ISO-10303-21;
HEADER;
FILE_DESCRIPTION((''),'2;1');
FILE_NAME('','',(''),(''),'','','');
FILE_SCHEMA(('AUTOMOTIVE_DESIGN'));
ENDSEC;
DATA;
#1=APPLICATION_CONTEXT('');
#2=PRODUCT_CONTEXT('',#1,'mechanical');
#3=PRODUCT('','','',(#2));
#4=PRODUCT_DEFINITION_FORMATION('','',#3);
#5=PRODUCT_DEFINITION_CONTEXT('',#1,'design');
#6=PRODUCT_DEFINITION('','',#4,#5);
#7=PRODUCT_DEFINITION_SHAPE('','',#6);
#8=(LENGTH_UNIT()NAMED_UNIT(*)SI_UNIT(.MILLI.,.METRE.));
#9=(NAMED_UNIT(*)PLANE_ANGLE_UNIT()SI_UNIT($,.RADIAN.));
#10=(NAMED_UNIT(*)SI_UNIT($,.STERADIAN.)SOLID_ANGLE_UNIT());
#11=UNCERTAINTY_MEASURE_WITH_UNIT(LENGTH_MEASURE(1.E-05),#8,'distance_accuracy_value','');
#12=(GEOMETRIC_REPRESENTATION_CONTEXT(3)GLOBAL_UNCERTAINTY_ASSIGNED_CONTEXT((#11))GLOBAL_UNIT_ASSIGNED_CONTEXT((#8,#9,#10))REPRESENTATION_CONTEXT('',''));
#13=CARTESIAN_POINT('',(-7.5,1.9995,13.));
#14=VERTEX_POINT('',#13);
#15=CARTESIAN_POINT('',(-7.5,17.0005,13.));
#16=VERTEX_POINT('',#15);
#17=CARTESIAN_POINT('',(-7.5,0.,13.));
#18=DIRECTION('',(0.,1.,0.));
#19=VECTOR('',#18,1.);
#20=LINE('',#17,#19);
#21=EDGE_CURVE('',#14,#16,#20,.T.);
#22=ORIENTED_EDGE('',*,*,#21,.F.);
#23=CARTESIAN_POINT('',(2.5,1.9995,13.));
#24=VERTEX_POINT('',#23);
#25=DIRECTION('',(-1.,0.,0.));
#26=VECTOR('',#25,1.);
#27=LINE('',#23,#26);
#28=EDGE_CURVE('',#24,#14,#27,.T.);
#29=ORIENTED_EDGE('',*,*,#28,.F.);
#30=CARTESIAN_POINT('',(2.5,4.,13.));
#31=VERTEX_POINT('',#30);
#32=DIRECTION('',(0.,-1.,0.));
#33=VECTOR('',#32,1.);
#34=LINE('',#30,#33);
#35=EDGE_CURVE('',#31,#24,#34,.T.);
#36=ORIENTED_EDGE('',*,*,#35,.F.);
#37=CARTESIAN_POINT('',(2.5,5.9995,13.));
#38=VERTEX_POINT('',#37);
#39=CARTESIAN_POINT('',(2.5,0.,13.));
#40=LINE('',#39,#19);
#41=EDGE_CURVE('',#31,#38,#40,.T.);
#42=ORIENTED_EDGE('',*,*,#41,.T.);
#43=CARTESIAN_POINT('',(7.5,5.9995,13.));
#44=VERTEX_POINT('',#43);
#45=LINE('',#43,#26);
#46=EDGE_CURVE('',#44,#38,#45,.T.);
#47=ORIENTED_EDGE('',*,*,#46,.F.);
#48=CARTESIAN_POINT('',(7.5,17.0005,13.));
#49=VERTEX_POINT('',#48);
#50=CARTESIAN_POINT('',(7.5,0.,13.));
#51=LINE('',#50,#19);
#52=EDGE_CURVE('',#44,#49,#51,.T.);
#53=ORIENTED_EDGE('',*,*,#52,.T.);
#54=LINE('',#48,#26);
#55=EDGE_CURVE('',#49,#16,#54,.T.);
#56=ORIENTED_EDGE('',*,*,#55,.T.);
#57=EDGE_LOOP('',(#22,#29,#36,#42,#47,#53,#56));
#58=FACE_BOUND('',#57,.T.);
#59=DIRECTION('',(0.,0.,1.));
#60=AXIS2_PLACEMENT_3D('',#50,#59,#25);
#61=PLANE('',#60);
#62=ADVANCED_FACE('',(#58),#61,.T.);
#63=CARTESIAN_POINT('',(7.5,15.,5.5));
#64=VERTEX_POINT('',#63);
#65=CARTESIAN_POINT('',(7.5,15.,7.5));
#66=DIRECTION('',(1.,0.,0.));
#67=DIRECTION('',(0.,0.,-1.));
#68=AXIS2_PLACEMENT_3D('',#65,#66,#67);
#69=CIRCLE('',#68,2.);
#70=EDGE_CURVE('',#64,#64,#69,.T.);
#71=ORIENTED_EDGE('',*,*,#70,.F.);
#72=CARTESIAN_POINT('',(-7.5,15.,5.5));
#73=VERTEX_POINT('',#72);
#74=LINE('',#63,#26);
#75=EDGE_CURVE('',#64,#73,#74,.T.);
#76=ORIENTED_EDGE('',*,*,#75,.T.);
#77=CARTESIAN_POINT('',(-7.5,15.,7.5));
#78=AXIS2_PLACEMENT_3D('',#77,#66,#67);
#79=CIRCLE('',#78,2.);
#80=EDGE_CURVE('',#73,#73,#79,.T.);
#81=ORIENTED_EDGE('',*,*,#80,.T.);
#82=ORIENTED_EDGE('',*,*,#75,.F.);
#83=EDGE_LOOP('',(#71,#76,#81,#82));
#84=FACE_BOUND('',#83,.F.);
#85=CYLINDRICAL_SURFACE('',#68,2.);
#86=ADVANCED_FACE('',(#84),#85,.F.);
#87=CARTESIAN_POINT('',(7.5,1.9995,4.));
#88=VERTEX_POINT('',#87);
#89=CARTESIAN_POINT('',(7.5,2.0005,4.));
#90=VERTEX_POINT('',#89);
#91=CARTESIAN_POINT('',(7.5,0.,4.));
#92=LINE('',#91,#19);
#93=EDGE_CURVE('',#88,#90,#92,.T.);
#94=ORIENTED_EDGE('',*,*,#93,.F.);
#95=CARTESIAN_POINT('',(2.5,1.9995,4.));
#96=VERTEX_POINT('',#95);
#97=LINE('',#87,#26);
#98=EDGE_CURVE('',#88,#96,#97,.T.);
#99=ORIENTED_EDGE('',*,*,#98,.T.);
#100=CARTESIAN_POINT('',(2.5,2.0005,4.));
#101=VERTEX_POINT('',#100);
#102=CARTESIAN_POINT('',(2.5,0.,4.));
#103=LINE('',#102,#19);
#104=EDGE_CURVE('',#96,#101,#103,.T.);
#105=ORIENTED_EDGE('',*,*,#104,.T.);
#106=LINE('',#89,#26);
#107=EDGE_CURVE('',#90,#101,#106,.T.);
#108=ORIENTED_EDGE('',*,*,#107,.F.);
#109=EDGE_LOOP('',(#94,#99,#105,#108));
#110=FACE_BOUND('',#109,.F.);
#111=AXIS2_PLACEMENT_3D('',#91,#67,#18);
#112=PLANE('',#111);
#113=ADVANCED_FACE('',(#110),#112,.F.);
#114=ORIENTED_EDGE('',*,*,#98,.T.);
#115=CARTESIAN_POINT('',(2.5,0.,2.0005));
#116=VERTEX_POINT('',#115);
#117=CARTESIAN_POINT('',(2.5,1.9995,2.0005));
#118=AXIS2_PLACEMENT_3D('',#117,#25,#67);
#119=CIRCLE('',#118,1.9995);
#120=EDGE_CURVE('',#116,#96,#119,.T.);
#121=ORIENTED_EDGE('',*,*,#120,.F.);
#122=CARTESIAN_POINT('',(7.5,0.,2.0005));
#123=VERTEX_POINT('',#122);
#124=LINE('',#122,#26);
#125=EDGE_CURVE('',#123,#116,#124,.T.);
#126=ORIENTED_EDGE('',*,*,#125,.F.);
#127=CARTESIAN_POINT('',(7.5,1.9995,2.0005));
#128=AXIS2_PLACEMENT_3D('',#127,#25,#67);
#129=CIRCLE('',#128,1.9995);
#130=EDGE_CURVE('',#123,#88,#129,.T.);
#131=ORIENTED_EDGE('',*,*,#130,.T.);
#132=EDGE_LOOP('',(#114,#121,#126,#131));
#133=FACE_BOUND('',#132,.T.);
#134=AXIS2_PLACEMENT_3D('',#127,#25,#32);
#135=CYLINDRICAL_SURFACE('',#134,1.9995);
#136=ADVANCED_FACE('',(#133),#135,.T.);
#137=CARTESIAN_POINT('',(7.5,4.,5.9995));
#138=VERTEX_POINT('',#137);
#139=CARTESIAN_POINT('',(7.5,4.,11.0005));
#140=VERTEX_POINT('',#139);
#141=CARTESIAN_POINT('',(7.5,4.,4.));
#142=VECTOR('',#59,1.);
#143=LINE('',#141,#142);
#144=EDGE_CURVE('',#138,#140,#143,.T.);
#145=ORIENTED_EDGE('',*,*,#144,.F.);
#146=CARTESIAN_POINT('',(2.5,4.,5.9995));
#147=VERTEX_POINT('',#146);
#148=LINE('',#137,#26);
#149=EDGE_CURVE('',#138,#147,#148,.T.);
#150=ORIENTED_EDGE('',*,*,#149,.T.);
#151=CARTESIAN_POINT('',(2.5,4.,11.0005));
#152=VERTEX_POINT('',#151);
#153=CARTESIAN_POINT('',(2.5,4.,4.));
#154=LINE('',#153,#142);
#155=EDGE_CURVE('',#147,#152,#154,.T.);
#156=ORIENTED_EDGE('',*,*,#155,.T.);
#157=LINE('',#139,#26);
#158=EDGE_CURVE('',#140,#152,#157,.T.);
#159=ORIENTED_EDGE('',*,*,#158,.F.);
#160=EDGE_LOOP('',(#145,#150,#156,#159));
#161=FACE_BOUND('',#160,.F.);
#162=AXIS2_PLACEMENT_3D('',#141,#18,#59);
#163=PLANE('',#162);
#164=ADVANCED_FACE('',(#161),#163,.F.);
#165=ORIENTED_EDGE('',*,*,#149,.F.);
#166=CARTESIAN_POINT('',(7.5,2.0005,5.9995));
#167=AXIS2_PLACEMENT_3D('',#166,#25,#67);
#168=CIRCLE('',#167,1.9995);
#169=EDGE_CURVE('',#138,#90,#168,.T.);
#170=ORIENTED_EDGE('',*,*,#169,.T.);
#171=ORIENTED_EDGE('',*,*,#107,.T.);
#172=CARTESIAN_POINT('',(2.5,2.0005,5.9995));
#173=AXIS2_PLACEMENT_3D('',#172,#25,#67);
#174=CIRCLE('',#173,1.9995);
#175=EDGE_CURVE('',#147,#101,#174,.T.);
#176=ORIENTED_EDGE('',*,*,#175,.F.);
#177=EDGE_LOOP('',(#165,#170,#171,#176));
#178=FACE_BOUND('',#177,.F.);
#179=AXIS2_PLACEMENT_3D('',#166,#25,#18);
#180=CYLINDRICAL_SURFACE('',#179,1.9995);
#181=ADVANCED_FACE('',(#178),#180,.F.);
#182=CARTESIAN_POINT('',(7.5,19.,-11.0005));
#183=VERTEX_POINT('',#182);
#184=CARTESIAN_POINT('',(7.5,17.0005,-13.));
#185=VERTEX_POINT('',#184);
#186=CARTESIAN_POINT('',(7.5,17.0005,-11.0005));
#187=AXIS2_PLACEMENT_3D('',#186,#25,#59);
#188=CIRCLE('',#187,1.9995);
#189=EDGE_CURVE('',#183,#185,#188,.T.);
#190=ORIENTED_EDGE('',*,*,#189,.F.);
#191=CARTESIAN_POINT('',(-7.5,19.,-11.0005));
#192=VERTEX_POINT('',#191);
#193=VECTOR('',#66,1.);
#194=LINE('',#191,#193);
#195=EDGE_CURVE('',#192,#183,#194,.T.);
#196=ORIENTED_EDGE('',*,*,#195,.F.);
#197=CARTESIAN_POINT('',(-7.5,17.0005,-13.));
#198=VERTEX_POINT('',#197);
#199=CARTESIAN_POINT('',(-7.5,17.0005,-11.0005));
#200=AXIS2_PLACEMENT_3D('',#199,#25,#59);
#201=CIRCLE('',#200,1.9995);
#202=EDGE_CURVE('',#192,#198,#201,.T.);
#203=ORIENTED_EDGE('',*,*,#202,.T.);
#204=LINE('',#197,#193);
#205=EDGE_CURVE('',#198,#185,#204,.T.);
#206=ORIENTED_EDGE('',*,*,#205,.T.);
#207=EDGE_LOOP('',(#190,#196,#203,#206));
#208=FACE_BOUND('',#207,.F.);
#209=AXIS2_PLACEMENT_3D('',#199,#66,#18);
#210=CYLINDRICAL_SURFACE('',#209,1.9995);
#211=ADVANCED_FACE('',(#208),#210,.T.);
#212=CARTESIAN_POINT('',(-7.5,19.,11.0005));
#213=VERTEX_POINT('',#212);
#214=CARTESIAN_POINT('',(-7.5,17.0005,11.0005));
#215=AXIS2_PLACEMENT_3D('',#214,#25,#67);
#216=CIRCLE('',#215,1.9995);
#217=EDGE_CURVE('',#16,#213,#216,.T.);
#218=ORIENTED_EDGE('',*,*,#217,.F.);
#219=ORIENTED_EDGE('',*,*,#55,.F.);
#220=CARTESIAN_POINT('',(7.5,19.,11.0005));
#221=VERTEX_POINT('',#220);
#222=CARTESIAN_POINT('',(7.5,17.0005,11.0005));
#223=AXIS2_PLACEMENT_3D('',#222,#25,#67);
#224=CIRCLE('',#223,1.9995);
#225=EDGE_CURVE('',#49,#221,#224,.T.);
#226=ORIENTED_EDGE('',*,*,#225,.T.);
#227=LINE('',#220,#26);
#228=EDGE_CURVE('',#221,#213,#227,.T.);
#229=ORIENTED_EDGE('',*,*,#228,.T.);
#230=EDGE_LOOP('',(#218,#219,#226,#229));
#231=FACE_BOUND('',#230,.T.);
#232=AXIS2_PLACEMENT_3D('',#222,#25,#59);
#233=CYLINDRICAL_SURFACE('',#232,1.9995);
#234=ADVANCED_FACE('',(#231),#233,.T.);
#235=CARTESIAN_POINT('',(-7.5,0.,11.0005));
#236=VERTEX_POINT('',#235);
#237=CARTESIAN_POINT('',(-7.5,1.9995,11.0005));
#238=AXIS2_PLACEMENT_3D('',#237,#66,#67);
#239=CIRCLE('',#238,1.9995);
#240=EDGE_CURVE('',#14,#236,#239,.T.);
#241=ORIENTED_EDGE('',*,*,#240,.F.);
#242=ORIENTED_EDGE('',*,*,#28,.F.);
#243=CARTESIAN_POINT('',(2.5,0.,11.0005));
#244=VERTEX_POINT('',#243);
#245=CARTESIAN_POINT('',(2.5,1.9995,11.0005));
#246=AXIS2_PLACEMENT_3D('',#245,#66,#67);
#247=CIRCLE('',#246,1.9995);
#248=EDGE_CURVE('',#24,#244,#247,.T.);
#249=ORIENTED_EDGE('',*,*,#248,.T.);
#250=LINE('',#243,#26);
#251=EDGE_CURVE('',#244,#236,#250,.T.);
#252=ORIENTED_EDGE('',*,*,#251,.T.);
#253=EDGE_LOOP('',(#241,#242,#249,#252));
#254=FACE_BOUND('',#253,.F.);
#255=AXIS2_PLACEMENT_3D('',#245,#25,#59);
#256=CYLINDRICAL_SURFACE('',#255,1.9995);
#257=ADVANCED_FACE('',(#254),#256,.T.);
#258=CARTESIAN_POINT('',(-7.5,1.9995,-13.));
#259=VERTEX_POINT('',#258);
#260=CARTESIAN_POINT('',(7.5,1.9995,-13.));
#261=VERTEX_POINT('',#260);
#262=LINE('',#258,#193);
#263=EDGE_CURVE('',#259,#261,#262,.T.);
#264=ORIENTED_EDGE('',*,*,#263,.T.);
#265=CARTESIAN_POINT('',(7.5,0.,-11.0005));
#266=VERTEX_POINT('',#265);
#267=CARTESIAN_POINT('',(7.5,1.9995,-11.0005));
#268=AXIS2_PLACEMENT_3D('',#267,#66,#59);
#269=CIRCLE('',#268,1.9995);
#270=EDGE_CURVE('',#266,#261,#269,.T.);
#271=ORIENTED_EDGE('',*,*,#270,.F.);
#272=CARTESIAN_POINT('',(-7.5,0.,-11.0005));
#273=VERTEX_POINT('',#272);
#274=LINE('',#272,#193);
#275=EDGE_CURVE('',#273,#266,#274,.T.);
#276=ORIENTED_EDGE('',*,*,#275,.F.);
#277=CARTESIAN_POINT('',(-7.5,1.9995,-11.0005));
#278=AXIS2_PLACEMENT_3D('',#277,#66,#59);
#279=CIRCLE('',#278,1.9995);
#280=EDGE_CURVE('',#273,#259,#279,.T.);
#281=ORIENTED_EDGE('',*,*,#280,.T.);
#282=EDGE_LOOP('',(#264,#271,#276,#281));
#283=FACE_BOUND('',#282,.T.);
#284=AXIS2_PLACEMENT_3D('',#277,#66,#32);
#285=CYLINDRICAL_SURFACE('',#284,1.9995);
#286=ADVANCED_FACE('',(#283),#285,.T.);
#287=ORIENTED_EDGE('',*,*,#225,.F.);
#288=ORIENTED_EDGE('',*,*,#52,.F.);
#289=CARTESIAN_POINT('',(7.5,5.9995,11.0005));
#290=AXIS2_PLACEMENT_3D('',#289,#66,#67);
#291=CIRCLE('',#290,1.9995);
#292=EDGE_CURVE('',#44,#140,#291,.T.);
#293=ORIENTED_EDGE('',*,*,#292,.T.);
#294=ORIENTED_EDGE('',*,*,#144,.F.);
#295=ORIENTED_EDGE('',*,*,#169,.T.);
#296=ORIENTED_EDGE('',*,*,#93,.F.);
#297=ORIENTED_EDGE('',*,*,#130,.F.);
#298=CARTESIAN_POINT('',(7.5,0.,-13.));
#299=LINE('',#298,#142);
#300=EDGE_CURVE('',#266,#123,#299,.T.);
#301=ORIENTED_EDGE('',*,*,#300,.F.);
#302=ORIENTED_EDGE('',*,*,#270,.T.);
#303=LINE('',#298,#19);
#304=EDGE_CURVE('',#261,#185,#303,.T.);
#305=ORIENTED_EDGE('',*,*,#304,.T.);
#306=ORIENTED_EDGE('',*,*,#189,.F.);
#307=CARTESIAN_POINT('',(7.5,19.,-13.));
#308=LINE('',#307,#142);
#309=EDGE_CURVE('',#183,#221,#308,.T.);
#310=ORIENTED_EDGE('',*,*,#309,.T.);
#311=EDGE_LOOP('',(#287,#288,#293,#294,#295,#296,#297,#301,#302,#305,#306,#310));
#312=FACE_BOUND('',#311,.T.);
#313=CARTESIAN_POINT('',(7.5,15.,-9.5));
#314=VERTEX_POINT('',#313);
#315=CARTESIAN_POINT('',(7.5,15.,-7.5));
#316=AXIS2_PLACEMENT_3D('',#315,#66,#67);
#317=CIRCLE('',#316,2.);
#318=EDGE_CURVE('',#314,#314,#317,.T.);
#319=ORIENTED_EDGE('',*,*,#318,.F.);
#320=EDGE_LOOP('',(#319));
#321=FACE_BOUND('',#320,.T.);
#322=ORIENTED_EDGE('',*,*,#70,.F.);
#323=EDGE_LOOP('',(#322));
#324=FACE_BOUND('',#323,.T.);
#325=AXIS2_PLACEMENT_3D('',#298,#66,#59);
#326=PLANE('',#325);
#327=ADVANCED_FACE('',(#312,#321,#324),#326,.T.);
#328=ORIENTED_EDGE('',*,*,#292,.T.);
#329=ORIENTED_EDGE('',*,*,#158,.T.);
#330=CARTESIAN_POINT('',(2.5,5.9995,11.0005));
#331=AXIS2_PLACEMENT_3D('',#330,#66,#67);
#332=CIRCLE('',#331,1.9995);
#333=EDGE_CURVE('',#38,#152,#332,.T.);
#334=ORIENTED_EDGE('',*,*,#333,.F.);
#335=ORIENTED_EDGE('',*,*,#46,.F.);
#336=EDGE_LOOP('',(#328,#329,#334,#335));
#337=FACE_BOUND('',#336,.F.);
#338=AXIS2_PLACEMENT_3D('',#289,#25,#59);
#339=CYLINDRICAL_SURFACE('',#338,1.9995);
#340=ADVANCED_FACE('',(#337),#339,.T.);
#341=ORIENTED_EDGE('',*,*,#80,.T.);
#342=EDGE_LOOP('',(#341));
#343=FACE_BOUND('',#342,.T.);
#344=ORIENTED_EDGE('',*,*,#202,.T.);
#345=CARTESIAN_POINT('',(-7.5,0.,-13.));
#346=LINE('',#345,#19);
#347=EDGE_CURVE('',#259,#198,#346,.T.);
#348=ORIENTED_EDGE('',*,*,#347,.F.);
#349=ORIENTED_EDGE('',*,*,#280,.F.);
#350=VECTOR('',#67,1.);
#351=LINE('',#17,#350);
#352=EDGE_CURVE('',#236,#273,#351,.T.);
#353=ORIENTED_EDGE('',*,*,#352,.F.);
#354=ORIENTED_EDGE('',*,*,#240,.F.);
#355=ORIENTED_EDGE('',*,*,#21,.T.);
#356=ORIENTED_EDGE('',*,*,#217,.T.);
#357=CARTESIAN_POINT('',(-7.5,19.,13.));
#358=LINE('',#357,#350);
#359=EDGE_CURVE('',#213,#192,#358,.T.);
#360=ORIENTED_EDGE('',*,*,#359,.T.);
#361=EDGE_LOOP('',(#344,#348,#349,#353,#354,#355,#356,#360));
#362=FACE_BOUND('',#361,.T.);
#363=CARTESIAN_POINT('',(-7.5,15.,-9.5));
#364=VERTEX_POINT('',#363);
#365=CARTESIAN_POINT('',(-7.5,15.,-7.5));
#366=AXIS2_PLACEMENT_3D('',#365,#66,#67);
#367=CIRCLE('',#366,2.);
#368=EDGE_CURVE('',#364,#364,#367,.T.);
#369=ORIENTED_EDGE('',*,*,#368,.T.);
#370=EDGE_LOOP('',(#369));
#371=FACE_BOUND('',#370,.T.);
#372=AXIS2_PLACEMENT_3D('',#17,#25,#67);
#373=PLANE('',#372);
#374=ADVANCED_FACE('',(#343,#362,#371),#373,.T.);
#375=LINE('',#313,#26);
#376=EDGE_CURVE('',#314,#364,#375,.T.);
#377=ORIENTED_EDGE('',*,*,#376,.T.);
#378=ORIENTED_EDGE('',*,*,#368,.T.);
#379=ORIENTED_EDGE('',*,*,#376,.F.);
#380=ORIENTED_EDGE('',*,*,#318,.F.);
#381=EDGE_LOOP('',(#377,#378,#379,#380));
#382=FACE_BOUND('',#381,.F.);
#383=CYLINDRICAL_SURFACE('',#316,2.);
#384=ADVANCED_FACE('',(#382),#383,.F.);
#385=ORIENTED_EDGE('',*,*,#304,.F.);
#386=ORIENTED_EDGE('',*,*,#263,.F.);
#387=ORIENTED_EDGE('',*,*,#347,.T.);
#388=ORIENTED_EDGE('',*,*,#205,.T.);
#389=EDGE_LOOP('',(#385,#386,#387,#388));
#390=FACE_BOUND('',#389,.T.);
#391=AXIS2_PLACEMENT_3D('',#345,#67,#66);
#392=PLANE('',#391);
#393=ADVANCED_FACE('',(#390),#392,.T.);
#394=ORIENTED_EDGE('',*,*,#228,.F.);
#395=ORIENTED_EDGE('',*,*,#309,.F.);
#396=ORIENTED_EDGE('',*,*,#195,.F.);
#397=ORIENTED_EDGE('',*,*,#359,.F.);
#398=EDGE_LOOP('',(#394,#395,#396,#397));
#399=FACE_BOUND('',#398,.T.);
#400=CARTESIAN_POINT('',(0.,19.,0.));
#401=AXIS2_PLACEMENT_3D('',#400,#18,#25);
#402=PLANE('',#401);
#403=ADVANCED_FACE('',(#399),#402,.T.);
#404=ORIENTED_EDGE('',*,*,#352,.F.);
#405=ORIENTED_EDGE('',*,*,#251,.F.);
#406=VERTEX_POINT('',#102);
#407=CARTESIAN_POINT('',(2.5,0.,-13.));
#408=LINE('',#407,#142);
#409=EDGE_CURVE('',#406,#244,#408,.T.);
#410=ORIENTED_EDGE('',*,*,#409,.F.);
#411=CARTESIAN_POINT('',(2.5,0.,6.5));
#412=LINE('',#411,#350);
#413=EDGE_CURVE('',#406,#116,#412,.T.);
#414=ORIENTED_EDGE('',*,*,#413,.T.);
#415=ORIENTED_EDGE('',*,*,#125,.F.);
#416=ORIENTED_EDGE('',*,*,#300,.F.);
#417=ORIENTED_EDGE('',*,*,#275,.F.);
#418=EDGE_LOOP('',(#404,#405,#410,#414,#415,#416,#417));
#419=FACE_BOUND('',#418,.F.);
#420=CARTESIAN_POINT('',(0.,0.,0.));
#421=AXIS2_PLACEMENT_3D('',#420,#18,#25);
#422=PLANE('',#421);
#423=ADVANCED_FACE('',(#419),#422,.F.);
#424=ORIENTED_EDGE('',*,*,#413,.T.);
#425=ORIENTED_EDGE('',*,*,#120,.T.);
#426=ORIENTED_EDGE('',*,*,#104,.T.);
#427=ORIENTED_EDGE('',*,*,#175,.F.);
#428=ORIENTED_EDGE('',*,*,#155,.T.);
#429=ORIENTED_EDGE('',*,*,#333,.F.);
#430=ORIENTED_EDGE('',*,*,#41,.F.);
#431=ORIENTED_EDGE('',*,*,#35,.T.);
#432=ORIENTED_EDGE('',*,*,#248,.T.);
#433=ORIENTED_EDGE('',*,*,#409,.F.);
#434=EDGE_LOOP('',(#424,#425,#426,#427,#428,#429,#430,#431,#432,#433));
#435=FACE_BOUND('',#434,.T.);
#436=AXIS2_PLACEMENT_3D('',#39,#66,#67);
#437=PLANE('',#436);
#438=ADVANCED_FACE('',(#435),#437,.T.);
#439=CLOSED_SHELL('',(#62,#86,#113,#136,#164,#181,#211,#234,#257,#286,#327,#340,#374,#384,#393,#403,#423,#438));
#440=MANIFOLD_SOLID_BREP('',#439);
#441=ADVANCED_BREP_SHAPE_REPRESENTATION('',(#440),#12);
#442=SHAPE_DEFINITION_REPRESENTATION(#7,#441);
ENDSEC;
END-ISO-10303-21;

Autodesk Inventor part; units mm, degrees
ref_plane "YZ Plane" through (0, 0, 0) normal (1, 0, 0) x (0, 1, 0)
ref_plane "XZ Plane" through (0, 0, 0) normal (0, 1, 0) x (-1, 0, 0)
ref_plane "XY Plane" through (0, 0, 0) normal (0, 0, 1) x (1, 0, 0)
sketch "Sketch1" plane through (0, 0, 0) normal (0, 1, 0) x (-1, 0, 0)
  line L0 (-7.5, 13) -> (7.5, 13)
  line L1 (7.5, 13) -> (7.5, -13)
  line L2 (7.5, -13) -> (-7.5, -13)
  line L3 (-7.5, -13) -> (-7.5, 13)
  line L4 (-7.5, 13) -> (7.5, -13) construction
  line L5 (7.5, 13) -> (-7.5, -13) construction
  point P0 (0, 0)
  dimension "d0" = 15
  dimension "d1" = 26
extrude "Extrusion1" add sketch "Sketch1" along normal blind 19
sketch "Sketch2" plane through (7.5, 0, 13) normal (1, 0, 0) x (0, 0, -1)
  line L0 (13, -3.8) -> (13, 22.8) projected
  circle A0 centre (5.5, 15) radius 2
  circle A1 centre (20.5, 15) radius 2
  line L1 (0, 0) -> (26, 0) projected
  point P0 (13, 0)
  dimension "d4" = 15
  dimension "d5" = 15
extrude "Extrusion2" cut sketch "Sketch2" against normal through all
sketch "Sketch3" plane through (7.5, 0, 13) normal (1, 0, 0) x (0, 0, -1)
  line L0 (26, 0) -> (0, 0) projected
  line L1 (0, 0) -> (9, 0)
  line L2 (9, 0) -> (9, 4)
  line L3 (9, 4) -> (0, 4)
  line L4 (0, 4) -> (0, 0)
  point P0 (13, 0)
  dimension "d8" = 4
  dimension "d9" = 9
extrude "Extrusion3" cut sketch "Sketch3" against normal blind 5
fillet "Fillet1" radius 2 7 edges at (0, 19, -13) (0, 19, 13) (0, 0, -13) (-2.5, 0, 13) (5, 4, 13) (5, 4, 4) (5, 0, 4)
properties part number "29_Lasercable_holder_A"
